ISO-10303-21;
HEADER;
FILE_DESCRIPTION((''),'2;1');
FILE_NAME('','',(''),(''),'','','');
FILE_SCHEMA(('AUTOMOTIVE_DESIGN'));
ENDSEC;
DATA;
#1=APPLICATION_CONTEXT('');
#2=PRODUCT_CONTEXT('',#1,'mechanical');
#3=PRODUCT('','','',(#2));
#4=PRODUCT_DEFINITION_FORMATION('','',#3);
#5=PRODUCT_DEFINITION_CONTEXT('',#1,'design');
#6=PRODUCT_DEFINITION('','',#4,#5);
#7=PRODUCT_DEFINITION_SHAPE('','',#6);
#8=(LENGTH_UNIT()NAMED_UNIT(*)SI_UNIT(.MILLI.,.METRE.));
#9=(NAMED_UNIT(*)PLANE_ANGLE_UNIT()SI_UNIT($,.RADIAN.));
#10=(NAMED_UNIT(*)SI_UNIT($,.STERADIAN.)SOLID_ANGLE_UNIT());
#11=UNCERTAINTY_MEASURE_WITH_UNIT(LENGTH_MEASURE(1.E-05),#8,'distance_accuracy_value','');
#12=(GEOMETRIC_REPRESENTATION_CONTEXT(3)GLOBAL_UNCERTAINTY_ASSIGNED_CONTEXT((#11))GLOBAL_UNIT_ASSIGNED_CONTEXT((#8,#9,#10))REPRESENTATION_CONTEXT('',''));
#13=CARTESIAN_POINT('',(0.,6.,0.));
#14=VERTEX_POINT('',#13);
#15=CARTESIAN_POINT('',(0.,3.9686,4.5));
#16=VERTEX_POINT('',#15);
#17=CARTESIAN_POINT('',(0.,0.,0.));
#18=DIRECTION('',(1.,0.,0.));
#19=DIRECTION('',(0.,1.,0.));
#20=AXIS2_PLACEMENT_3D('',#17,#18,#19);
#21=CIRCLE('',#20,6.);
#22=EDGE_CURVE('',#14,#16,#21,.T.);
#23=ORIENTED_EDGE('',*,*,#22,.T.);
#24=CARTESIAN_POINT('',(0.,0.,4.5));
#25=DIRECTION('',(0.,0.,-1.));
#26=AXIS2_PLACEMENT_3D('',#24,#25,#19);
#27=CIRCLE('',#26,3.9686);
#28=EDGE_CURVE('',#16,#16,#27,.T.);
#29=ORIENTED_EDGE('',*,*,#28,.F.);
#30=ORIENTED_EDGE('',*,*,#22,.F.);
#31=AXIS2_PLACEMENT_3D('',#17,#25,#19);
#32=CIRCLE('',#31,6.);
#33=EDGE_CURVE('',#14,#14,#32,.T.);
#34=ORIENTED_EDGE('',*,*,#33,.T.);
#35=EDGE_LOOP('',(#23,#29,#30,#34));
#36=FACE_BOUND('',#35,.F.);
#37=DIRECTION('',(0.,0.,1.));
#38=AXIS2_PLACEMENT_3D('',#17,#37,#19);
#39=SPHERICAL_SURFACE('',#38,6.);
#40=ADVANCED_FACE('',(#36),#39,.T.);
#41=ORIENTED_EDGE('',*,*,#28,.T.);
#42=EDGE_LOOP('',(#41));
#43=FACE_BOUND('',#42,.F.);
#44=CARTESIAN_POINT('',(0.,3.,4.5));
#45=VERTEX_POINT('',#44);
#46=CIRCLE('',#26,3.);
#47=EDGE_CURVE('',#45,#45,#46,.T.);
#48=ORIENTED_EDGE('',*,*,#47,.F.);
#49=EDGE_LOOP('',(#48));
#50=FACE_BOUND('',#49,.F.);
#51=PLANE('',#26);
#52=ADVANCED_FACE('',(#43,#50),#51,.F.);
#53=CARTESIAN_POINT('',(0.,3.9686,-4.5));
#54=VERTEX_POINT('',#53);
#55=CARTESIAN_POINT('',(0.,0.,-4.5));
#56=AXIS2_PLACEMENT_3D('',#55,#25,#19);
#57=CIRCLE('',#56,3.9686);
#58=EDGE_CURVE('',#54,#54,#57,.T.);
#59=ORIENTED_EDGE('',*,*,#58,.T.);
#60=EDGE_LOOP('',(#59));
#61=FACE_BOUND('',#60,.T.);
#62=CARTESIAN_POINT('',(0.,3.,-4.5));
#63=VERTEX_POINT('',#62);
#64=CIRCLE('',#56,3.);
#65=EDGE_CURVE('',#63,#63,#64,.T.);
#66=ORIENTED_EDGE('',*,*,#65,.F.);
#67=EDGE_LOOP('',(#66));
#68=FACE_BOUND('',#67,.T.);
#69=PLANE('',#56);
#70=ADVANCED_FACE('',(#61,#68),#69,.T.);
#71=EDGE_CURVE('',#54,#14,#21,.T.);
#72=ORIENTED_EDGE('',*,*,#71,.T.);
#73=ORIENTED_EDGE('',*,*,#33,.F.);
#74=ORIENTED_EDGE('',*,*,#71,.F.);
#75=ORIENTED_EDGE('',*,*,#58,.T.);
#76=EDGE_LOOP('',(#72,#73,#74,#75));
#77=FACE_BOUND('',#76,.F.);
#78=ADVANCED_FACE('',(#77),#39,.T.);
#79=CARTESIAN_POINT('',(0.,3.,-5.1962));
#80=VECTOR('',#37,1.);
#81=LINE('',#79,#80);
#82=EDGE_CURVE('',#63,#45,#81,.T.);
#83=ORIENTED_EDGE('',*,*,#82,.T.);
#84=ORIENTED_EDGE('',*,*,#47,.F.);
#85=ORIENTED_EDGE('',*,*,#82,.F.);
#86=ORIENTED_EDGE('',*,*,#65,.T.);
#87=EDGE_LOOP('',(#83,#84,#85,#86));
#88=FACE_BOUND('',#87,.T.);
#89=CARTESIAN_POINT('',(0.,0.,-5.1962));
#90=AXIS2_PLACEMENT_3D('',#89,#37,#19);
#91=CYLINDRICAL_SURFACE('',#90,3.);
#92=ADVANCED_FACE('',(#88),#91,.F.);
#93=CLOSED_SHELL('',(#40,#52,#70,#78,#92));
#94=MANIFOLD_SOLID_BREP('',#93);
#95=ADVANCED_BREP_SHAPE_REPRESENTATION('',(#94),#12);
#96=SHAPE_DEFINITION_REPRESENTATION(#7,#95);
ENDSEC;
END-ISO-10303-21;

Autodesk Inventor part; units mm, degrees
ref_plane "YZ Plane" through (0, 0, 0) normal (1, 0, 0) x (0, 1, 0)
ref_plane "XZ Plane" through (0, 0, 0) normal (0, 1, 0) x (-1, 0, 0)
ref_plane "XY Plane" through (0, 0, 0) normal (0, 0, 1) x (1, 0, 0)
sketch "Sketch1" plane through (0, 0, 0) normal (1, 0, 0) x (0, 1, 0)
  circle A0 centre (0, 0) radius 6
  line L0 (0, 6) -> (0, -6)
  line L1 (3, -5.1962) -> (3, 5.1962)
  line L2 (3.9686, 4.5) -> (3, 4.5)
  line L3 (3.9686, -4.5) -> (3, -4.5)
  dimension "d0" = 6
  dimension "d1" = 9
  dimension "d2" = 12
revolve "Revolution1" add sketch "Sketch1" angle 360 about axis through (0, 0, 6) along (0, 0, -1) contours A0 L3 L1 L2
properties part number "Ball" material "Steel, Carbon"
